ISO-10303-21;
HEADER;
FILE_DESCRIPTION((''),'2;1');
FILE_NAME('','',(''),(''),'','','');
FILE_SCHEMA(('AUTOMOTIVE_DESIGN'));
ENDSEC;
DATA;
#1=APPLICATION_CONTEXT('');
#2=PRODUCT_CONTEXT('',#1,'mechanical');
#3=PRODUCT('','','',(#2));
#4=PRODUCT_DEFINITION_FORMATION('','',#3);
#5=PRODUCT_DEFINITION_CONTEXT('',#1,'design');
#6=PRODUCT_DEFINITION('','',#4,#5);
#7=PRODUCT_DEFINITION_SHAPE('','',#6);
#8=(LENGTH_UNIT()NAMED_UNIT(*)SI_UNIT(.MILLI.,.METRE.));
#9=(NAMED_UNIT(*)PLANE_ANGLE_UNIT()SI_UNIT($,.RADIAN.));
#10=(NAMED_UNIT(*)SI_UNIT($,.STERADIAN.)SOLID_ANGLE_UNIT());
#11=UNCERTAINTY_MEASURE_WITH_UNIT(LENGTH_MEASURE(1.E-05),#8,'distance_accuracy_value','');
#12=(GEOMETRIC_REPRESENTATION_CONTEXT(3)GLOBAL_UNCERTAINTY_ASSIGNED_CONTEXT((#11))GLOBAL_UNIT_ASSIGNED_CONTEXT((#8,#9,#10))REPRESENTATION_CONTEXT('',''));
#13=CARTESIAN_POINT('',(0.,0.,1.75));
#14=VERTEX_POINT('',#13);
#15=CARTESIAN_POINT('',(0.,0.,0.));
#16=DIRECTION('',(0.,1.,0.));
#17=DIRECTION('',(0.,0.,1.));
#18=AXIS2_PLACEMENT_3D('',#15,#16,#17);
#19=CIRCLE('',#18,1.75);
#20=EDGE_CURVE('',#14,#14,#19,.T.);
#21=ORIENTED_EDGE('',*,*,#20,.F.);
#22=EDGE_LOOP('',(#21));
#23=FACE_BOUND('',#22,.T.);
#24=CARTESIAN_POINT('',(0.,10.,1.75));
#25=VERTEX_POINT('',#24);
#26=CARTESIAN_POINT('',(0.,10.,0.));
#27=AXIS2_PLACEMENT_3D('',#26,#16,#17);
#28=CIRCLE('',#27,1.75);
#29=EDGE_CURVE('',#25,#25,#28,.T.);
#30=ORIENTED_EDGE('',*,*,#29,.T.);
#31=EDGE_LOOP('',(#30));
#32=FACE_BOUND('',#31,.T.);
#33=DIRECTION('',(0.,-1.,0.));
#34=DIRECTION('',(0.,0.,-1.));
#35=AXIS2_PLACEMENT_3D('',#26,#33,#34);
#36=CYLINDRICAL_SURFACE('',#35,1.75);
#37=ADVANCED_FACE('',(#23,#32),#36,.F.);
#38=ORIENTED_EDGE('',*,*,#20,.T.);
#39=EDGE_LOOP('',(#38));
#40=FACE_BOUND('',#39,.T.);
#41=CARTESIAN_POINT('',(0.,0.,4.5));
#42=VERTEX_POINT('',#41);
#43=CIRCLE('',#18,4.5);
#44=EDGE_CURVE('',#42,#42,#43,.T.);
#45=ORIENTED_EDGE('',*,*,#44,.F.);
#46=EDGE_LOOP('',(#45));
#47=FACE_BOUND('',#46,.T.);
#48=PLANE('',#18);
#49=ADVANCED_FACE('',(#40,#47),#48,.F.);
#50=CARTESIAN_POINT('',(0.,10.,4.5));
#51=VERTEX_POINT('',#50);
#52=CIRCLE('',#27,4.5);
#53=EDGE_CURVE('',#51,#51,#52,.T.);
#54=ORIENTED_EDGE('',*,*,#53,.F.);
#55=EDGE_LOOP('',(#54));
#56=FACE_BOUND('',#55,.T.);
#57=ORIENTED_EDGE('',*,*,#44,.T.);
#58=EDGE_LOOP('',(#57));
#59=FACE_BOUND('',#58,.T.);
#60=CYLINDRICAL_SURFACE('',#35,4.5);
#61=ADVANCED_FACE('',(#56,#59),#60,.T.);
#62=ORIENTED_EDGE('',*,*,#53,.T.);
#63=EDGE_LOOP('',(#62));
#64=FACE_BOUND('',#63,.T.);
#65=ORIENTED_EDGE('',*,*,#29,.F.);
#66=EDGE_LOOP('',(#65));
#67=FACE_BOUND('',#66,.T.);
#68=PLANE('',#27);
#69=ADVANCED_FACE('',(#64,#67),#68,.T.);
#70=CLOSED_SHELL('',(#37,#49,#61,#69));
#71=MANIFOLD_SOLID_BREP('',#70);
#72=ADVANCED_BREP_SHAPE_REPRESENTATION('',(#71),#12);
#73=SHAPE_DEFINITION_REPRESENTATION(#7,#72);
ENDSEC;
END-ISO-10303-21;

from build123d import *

# Parameters (mm, degrees)
SKETCH_2_R      = 4.5
SKETCH_2_R_2    = 1.75
EXTRUDE_1_DEPTH = 10


with BuildPart() as part:
    # 草图2 → 凸台-拉伸1 (new body)
    with BuildSketch(Plane(origin=(0, 0, 0), x_dir=(1, 0, 0), z_dir=(0, 1, 0))):
        with Locations(Location((0, 0, 0), (0, 0, 270))):
            Circle(SKETCH_2_R)
        with Locations(Location((0, 0, 0), (0, 0, 270))):
            Circle(SKETCH_2_R_2, mode=Mode.SUBTRACT)
    extrude(amount=EXTRUDE_1_DEPTH)


solid = part.part
